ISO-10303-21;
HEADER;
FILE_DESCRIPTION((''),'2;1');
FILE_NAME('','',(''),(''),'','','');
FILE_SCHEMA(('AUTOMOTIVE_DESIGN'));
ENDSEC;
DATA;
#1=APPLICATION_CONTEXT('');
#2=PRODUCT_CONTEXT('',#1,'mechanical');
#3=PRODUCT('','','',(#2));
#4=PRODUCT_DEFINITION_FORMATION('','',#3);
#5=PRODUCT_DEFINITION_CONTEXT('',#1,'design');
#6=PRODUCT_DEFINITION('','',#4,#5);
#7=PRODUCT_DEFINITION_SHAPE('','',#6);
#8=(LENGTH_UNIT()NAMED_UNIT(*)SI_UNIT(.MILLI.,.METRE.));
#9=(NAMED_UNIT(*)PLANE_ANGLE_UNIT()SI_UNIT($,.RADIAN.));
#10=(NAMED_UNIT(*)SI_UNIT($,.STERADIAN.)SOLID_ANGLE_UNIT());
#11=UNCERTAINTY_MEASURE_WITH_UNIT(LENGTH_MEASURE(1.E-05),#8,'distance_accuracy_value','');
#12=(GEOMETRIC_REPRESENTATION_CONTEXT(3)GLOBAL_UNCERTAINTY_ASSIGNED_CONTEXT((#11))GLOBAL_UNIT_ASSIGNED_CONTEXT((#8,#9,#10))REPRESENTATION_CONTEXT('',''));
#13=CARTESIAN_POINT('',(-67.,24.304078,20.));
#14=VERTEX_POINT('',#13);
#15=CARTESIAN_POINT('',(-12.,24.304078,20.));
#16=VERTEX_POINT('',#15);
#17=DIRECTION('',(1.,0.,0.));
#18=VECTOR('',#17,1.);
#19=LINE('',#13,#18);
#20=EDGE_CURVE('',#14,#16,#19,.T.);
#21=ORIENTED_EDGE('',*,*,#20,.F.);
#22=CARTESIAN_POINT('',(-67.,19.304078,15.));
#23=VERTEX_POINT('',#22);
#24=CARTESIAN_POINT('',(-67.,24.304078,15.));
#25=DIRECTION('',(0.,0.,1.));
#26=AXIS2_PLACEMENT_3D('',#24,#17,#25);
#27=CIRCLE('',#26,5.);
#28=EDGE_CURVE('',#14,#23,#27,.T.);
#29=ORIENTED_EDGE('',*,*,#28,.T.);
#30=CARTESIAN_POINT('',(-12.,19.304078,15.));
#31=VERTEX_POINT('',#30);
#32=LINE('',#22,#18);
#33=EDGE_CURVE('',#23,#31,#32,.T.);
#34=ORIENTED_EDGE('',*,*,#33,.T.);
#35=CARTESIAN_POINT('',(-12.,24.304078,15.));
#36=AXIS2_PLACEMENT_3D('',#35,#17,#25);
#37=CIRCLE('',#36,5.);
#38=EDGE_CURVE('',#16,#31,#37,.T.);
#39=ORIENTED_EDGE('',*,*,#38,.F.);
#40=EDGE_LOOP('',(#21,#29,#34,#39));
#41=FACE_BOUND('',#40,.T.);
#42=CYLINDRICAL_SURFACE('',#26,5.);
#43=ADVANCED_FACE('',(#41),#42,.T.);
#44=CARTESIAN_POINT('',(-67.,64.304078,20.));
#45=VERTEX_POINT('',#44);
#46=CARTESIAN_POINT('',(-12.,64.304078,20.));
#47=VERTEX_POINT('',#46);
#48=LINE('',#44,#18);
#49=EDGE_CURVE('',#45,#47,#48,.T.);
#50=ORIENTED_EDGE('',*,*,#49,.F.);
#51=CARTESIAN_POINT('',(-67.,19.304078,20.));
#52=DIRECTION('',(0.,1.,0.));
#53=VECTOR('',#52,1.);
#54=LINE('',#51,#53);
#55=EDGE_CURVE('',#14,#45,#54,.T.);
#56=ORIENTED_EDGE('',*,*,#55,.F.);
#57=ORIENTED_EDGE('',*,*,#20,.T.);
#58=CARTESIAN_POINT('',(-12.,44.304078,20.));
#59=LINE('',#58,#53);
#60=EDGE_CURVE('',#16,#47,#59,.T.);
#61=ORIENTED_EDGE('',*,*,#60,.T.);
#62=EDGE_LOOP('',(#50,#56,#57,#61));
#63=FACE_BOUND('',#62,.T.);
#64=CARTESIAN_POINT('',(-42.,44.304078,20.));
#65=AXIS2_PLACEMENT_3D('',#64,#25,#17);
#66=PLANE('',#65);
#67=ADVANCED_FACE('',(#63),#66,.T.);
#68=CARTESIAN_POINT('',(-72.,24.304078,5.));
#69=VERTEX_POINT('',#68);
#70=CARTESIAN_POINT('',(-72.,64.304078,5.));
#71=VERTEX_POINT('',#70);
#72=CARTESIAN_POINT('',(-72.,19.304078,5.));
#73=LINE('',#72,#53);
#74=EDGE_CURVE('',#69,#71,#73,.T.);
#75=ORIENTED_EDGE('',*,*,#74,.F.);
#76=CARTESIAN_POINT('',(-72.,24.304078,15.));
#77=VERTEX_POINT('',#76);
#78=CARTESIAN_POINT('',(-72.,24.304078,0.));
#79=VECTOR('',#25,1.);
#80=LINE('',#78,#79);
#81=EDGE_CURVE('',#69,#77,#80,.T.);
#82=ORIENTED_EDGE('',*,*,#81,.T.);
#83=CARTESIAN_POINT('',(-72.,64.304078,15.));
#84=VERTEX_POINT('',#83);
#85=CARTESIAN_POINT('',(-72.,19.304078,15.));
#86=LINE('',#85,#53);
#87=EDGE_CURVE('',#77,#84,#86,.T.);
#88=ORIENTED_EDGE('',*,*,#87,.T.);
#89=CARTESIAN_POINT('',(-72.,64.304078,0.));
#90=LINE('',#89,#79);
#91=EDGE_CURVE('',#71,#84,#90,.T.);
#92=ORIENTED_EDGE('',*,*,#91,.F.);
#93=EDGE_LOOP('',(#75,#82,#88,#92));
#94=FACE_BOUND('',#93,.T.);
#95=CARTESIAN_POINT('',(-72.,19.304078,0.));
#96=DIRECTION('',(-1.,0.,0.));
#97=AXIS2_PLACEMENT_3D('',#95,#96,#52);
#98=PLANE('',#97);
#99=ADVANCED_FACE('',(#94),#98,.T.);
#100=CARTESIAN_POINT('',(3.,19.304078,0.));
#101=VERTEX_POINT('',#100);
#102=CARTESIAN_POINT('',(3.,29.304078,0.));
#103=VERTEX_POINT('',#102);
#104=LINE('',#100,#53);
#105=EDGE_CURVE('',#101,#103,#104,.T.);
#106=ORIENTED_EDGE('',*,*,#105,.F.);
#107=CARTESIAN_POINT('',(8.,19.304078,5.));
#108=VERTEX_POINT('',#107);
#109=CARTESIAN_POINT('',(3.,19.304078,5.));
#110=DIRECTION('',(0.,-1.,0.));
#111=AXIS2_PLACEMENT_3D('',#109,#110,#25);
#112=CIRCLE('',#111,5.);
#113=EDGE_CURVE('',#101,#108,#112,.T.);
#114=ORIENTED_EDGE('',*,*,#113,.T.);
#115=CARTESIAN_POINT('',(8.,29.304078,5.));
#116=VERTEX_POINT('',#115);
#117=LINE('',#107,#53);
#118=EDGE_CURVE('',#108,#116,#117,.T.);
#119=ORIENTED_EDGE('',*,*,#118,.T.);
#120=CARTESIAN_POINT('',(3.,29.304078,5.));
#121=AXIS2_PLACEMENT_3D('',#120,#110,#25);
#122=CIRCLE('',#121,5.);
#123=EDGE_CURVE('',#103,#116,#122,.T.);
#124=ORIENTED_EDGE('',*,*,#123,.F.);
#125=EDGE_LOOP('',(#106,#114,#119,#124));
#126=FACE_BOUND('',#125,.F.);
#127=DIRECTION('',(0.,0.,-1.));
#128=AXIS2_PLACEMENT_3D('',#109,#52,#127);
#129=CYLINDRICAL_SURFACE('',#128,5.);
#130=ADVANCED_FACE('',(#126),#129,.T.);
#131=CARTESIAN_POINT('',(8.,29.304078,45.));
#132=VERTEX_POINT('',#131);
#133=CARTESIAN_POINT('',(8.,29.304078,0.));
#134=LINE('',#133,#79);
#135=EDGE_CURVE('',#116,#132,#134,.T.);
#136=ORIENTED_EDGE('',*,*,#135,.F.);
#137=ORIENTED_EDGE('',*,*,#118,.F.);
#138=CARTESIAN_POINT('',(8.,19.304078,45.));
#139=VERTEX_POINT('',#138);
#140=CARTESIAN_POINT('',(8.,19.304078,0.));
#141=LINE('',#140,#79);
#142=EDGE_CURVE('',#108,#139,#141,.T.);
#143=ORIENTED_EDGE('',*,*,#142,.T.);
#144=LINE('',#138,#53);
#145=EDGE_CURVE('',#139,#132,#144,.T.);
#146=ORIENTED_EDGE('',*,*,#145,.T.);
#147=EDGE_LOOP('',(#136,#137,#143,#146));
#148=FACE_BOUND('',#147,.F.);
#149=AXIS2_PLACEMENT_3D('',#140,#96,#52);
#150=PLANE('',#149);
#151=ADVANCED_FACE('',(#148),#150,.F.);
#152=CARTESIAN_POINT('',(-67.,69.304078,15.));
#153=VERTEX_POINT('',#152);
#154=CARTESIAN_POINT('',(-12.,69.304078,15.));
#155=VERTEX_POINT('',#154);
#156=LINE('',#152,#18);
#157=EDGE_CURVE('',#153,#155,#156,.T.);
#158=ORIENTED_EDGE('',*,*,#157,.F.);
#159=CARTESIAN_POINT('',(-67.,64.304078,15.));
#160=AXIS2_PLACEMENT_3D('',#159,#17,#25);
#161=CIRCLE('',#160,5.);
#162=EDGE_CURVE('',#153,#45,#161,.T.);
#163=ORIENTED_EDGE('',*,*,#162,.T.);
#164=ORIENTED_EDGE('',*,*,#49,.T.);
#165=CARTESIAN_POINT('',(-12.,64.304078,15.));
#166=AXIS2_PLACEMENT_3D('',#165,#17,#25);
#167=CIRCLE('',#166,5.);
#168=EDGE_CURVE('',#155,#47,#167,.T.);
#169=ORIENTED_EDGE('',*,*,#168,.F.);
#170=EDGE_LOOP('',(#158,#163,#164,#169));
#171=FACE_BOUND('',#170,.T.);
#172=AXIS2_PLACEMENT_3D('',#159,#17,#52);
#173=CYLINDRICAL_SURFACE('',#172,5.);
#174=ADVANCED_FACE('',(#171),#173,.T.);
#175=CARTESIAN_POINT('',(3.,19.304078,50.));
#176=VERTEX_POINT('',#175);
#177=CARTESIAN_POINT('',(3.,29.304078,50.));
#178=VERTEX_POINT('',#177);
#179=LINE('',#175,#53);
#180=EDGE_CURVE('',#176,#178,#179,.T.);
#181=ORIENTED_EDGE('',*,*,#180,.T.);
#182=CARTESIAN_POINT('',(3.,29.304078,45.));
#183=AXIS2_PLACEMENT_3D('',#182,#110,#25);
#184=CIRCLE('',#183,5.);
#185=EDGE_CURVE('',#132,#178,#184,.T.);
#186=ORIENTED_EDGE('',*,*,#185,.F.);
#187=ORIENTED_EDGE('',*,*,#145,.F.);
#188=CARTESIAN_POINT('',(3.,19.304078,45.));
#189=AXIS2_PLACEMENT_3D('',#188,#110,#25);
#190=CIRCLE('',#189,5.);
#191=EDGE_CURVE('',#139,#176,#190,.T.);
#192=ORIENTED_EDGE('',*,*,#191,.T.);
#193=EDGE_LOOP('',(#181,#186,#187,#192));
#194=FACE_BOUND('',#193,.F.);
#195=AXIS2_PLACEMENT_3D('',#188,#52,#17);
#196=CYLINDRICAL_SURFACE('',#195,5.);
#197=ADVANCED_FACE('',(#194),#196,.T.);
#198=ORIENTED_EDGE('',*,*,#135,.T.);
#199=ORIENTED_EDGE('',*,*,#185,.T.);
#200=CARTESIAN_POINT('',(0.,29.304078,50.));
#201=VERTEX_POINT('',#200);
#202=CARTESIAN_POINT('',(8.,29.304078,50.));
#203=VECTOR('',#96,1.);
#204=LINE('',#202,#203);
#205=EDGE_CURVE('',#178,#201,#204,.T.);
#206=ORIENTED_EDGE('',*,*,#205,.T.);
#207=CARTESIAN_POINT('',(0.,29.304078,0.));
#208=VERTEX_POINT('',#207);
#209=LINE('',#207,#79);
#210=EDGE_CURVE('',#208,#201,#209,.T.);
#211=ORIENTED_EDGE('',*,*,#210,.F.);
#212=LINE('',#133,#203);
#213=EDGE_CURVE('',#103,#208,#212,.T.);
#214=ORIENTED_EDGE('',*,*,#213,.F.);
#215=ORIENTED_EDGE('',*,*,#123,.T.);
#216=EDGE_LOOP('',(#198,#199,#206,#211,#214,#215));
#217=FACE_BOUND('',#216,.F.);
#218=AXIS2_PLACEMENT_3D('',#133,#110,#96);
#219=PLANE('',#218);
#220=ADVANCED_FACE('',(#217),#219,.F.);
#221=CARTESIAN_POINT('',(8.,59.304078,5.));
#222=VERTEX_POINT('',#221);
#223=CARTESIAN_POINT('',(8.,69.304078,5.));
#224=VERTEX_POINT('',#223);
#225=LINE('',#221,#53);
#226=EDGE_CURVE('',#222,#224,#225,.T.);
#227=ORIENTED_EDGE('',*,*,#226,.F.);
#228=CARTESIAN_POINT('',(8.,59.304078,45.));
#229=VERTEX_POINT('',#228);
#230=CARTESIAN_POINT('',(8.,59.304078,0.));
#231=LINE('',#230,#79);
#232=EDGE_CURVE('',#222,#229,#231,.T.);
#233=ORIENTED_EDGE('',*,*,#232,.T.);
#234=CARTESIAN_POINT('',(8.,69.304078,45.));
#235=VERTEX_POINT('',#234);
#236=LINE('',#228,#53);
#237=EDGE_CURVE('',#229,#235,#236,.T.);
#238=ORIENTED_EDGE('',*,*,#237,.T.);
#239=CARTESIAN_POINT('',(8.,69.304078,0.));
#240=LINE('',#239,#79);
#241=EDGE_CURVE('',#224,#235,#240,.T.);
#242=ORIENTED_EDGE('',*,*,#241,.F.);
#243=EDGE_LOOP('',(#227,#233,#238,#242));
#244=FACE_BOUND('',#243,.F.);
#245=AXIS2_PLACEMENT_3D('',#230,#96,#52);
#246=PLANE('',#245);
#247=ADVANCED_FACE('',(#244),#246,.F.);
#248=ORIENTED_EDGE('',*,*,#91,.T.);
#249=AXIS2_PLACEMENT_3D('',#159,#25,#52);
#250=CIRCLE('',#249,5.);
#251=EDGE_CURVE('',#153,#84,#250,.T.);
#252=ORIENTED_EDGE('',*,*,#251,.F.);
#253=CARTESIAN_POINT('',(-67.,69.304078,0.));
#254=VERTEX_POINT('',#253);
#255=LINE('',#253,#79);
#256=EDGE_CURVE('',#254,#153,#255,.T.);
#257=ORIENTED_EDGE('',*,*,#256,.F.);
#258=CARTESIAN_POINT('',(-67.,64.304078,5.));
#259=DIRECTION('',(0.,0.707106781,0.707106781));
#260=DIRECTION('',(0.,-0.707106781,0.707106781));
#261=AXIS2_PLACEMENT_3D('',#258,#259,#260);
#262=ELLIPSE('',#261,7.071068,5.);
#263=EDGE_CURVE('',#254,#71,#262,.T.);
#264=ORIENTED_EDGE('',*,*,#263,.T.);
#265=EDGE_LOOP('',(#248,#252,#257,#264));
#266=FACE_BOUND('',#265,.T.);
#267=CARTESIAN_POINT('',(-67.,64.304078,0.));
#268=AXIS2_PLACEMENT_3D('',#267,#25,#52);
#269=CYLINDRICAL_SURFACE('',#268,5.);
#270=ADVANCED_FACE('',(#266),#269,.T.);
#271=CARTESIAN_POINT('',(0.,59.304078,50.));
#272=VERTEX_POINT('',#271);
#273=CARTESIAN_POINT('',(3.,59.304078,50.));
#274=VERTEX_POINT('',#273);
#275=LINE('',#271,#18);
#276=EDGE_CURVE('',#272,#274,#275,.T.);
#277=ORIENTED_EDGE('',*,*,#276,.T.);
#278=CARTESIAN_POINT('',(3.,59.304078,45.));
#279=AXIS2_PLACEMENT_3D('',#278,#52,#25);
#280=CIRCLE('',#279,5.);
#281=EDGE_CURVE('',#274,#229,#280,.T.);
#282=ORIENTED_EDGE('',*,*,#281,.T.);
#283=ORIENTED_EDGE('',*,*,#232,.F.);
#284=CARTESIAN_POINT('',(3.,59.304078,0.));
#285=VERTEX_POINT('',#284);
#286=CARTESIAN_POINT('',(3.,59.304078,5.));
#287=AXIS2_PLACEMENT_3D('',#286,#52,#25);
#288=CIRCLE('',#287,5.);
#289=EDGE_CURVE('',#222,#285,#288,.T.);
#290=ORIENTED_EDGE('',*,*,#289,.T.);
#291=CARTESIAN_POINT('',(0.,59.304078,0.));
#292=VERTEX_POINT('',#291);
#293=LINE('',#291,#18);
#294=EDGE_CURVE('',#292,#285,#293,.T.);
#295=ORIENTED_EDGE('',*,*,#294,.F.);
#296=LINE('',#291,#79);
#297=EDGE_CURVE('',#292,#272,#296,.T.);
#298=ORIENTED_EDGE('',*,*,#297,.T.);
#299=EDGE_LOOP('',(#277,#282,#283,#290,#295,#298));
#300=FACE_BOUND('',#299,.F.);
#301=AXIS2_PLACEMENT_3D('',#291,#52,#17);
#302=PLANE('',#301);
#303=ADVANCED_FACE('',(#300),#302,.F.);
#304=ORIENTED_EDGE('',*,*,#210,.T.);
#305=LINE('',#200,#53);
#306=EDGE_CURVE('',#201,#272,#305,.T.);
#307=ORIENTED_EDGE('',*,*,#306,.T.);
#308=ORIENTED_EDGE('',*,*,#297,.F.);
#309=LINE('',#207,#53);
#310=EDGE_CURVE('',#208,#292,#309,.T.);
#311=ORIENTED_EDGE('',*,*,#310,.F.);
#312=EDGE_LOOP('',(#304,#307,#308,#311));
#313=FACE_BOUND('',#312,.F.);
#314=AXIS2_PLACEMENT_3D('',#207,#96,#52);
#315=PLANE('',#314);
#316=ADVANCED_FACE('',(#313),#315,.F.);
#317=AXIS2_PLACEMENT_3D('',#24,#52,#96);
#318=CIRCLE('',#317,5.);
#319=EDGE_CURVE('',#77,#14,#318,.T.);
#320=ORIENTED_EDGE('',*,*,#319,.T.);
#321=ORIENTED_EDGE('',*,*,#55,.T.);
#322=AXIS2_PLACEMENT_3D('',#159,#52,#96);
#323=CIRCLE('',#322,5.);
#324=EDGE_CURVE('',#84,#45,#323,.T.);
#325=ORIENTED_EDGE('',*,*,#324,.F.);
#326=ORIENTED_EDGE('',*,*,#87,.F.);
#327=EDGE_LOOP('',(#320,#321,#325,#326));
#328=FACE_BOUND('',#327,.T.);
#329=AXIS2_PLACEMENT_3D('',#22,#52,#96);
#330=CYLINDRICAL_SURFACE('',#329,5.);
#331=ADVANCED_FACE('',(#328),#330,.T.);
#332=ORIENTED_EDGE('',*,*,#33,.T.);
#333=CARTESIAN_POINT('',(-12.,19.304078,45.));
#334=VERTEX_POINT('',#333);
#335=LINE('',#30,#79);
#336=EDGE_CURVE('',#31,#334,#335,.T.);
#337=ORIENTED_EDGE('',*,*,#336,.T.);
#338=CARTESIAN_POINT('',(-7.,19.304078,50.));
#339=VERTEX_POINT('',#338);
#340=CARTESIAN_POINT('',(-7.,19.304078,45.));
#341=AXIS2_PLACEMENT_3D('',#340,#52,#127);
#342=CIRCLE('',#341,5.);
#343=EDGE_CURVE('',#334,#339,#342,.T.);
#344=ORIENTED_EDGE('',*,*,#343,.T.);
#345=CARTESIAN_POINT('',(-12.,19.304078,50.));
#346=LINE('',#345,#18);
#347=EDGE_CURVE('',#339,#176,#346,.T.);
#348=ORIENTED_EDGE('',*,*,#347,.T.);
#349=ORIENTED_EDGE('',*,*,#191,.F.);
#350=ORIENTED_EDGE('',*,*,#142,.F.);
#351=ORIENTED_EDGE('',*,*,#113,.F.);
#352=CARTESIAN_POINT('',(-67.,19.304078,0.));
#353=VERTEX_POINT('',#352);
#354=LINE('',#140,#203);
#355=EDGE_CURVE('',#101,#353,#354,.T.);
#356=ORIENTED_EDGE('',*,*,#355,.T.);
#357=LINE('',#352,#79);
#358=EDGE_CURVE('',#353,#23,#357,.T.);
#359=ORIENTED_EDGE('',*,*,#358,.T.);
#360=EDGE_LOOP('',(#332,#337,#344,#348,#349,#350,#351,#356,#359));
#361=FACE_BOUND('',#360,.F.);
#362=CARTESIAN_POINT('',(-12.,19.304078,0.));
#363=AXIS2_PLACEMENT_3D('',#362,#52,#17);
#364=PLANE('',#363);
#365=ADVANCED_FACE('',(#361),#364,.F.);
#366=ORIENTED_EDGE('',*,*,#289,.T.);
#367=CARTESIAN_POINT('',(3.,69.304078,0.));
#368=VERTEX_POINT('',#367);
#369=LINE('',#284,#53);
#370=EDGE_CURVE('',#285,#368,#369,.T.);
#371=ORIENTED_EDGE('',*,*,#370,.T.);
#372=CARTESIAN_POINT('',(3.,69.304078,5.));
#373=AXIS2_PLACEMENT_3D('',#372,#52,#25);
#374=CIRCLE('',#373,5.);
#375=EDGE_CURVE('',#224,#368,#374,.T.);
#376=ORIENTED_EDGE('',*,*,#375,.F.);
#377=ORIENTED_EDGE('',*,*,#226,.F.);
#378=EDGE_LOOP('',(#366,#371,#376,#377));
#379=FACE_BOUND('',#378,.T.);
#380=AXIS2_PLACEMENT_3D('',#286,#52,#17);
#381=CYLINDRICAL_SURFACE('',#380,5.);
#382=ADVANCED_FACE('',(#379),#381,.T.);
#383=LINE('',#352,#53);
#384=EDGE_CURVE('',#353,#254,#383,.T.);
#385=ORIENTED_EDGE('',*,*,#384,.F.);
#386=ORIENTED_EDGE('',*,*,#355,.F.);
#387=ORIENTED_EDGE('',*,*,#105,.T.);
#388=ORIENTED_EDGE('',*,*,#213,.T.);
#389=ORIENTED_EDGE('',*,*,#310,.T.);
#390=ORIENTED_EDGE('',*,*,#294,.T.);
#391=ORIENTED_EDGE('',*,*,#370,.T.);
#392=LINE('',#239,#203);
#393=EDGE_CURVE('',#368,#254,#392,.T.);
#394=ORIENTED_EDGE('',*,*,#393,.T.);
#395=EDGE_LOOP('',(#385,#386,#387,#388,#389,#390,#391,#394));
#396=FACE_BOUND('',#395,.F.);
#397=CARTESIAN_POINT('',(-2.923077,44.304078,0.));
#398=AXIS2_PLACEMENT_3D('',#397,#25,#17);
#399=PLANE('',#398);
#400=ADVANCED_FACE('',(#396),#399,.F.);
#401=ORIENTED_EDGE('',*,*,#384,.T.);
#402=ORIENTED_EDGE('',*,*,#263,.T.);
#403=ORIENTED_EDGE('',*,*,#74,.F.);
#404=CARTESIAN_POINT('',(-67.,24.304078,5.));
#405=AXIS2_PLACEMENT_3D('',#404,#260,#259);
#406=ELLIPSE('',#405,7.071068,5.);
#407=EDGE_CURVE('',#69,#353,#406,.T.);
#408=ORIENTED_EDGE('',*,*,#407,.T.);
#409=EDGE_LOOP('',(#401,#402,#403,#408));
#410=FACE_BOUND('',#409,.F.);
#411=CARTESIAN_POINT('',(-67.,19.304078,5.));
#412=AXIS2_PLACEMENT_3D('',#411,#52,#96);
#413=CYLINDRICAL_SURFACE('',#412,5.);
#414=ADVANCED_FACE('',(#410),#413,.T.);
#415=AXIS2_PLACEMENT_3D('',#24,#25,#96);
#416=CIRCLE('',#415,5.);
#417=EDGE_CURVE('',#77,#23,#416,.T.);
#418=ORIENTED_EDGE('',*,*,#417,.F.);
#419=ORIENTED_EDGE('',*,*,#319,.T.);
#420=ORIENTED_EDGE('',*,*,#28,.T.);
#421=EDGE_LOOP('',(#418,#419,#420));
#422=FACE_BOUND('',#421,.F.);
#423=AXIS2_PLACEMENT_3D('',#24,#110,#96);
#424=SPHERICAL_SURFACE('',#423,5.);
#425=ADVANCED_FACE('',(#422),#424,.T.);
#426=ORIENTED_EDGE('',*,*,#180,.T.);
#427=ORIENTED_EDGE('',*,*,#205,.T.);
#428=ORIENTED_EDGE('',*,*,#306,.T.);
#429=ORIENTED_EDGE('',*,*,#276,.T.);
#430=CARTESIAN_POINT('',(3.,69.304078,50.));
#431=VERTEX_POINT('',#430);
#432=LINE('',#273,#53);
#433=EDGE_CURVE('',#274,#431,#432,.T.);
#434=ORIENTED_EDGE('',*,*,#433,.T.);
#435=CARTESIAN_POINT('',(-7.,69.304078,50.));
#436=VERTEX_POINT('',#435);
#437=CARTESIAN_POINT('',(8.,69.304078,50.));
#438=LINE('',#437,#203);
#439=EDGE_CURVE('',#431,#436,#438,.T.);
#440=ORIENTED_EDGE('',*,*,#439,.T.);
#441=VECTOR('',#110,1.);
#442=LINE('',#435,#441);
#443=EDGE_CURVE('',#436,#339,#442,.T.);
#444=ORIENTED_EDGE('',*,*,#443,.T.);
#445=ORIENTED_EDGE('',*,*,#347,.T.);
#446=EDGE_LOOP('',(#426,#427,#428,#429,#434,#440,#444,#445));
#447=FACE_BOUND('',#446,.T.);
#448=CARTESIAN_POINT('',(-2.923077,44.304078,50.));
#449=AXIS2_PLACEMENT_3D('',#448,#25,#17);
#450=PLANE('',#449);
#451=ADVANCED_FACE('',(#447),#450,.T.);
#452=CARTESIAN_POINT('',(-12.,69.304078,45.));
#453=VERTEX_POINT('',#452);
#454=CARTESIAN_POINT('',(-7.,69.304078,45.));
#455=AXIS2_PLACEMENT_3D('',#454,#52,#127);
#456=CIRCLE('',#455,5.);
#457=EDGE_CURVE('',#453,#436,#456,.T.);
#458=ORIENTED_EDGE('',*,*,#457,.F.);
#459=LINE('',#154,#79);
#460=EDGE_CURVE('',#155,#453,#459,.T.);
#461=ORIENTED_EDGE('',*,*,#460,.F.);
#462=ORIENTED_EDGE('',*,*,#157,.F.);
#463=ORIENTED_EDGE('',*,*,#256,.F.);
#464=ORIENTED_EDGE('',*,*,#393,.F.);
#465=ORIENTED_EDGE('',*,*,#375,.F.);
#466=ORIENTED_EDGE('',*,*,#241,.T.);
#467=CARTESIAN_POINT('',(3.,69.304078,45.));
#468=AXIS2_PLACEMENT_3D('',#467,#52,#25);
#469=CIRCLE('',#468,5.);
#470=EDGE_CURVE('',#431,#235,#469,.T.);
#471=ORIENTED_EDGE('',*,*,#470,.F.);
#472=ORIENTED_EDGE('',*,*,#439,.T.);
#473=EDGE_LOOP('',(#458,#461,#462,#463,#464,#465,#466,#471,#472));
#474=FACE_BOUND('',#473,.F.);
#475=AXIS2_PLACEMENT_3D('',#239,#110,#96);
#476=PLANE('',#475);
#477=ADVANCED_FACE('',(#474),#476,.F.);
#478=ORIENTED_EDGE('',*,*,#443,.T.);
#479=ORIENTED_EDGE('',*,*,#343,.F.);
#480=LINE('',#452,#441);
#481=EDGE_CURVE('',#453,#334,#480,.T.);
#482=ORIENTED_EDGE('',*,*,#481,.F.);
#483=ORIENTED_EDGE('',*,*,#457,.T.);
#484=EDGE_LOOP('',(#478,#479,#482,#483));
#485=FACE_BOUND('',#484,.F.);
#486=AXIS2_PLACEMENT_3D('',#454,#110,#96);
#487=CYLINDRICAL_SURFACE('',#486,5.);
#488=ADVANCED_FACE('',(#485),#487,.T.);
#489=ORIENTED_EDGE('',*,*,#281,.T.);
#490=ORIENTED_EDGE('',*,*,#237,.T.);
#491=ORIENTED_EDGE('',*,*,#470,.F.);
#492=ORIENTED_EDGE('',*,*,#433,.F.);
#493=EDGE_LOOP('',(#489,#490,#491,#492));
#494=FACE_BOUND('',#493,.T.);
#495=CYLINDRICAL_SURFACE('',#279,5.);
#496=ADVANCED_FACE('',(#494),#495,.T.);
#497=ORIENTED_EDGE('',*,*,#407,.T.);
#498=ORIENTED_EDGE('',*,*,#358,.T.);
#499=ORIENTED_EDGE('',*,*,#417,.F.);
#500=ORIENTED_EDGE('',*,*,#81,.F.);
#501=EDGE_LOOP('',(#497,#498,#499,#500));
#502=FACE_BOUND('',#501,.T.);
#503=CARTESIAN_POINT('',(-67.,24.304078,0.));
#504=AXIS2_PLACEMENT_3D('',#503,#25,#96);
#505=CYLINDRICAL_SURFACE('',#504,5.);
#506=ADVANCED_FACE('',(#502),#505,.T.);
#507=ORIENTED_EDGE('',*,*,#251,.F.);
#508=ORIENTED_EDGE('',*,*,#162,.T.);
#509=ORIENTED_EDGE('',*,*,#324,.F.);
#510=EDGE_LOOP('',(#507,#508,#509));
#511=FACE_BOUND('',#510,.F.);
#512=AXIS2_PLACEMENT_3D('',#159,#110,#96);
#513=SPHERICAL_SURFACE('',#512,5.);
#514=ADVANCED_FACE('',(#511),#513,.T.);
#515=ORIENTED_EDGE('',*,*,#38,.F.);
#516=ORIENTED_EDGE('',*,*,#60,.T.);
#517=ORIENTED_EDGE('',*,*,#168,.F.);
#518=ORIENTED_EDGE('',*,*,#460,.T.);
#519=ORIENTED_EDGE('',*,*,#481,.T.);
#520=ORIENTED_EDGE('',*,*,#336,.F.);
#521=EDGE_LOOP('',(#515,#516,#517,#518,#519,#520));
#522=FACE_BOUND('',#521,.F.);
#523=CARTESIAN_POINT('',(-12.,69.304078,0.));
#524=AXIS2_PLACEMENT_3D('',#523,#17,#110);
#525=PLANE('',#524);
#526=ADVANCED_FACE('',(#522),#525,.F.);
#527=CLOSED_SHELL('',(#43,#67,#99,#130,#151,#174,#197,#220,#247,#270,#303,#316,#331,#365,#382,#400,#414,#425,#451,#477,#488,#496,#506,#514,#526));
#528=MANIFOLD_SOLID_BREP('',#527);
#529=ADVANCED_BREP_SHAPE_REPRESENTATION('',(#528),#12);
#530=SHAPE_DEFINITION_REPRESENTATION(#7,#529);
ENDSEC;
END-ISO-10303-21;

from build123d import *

# Parameters (mm, degrees)
F0_W     = 60
F0_H     = 50
F1_DEPTH = 20
F2_DEPTH = 50
F3_R     = 5
F4_R     = 5
F5_R     = 5
F6_R     = 5
F7_R     = 5


with BuildPart() as f1:
    # F0 (on Top) → F1 (new body)
    with BuildSketch(Plane.XY):
        with Locations((-42, 44.3040782763)):
            Rectangle(F0_W, F0_H)
    extrude(amount=F1_DEPTH)

    # F0 (on Top) → F2 (join)
    with BuildSketch(Plane.XY):
        Polygon((8, 69.3040782763), (-12, 69.3040782763), (-12, 19.3040782763), (8, 19.3040782763), (8, 29.3040782763), (0, 29.3040782763), (0, 59.3040782763), (8, 59.3040782763), align=None)
    extrude(amount=F2_DEPTH)

    # F3
    f3_edges = [f1.edges().sort_by_distance(p)[0] for p in [
        (-72, 44.304078, 20),
    ]]
    fillet(f3_edges, radius=F3_R)

    # F4
    f4_edges = [f1.edges().sort_by_distance(p)[0] for p in [
        (-12, 44.304078, 50),
    ]]
    fillet(f4_edges, radius=F4_R)

    # F5
    f5_edges = [f1.edges().sort_by_distance(p)[0] for p in [
        (-72, 69.304078, 7.5),
        (-72, 44.304078, 15),
        (-72, 44.304078, 0),
        (-72, 19.304078, 7.5),
    ]]
    fillet(f5_edges, radius=F5_R)

    # F6
    f6_edges = [f1.edges().sort_by_distance(p)[0] for p in [
        (8, 24.304078, 50),
        (8, 64.304078, 50),
    ]]
    fillet(f6_edges, radius=F6_R)

    # F7
    f7_edges = [f1.edges().sort_by_distance(p)[0] for p in [
        (8, 24.304078, 0),
        (8, 64.304078, 0),
    ]]
    fillet(f7_edges, radius=F7_R)


solid = f1.part
